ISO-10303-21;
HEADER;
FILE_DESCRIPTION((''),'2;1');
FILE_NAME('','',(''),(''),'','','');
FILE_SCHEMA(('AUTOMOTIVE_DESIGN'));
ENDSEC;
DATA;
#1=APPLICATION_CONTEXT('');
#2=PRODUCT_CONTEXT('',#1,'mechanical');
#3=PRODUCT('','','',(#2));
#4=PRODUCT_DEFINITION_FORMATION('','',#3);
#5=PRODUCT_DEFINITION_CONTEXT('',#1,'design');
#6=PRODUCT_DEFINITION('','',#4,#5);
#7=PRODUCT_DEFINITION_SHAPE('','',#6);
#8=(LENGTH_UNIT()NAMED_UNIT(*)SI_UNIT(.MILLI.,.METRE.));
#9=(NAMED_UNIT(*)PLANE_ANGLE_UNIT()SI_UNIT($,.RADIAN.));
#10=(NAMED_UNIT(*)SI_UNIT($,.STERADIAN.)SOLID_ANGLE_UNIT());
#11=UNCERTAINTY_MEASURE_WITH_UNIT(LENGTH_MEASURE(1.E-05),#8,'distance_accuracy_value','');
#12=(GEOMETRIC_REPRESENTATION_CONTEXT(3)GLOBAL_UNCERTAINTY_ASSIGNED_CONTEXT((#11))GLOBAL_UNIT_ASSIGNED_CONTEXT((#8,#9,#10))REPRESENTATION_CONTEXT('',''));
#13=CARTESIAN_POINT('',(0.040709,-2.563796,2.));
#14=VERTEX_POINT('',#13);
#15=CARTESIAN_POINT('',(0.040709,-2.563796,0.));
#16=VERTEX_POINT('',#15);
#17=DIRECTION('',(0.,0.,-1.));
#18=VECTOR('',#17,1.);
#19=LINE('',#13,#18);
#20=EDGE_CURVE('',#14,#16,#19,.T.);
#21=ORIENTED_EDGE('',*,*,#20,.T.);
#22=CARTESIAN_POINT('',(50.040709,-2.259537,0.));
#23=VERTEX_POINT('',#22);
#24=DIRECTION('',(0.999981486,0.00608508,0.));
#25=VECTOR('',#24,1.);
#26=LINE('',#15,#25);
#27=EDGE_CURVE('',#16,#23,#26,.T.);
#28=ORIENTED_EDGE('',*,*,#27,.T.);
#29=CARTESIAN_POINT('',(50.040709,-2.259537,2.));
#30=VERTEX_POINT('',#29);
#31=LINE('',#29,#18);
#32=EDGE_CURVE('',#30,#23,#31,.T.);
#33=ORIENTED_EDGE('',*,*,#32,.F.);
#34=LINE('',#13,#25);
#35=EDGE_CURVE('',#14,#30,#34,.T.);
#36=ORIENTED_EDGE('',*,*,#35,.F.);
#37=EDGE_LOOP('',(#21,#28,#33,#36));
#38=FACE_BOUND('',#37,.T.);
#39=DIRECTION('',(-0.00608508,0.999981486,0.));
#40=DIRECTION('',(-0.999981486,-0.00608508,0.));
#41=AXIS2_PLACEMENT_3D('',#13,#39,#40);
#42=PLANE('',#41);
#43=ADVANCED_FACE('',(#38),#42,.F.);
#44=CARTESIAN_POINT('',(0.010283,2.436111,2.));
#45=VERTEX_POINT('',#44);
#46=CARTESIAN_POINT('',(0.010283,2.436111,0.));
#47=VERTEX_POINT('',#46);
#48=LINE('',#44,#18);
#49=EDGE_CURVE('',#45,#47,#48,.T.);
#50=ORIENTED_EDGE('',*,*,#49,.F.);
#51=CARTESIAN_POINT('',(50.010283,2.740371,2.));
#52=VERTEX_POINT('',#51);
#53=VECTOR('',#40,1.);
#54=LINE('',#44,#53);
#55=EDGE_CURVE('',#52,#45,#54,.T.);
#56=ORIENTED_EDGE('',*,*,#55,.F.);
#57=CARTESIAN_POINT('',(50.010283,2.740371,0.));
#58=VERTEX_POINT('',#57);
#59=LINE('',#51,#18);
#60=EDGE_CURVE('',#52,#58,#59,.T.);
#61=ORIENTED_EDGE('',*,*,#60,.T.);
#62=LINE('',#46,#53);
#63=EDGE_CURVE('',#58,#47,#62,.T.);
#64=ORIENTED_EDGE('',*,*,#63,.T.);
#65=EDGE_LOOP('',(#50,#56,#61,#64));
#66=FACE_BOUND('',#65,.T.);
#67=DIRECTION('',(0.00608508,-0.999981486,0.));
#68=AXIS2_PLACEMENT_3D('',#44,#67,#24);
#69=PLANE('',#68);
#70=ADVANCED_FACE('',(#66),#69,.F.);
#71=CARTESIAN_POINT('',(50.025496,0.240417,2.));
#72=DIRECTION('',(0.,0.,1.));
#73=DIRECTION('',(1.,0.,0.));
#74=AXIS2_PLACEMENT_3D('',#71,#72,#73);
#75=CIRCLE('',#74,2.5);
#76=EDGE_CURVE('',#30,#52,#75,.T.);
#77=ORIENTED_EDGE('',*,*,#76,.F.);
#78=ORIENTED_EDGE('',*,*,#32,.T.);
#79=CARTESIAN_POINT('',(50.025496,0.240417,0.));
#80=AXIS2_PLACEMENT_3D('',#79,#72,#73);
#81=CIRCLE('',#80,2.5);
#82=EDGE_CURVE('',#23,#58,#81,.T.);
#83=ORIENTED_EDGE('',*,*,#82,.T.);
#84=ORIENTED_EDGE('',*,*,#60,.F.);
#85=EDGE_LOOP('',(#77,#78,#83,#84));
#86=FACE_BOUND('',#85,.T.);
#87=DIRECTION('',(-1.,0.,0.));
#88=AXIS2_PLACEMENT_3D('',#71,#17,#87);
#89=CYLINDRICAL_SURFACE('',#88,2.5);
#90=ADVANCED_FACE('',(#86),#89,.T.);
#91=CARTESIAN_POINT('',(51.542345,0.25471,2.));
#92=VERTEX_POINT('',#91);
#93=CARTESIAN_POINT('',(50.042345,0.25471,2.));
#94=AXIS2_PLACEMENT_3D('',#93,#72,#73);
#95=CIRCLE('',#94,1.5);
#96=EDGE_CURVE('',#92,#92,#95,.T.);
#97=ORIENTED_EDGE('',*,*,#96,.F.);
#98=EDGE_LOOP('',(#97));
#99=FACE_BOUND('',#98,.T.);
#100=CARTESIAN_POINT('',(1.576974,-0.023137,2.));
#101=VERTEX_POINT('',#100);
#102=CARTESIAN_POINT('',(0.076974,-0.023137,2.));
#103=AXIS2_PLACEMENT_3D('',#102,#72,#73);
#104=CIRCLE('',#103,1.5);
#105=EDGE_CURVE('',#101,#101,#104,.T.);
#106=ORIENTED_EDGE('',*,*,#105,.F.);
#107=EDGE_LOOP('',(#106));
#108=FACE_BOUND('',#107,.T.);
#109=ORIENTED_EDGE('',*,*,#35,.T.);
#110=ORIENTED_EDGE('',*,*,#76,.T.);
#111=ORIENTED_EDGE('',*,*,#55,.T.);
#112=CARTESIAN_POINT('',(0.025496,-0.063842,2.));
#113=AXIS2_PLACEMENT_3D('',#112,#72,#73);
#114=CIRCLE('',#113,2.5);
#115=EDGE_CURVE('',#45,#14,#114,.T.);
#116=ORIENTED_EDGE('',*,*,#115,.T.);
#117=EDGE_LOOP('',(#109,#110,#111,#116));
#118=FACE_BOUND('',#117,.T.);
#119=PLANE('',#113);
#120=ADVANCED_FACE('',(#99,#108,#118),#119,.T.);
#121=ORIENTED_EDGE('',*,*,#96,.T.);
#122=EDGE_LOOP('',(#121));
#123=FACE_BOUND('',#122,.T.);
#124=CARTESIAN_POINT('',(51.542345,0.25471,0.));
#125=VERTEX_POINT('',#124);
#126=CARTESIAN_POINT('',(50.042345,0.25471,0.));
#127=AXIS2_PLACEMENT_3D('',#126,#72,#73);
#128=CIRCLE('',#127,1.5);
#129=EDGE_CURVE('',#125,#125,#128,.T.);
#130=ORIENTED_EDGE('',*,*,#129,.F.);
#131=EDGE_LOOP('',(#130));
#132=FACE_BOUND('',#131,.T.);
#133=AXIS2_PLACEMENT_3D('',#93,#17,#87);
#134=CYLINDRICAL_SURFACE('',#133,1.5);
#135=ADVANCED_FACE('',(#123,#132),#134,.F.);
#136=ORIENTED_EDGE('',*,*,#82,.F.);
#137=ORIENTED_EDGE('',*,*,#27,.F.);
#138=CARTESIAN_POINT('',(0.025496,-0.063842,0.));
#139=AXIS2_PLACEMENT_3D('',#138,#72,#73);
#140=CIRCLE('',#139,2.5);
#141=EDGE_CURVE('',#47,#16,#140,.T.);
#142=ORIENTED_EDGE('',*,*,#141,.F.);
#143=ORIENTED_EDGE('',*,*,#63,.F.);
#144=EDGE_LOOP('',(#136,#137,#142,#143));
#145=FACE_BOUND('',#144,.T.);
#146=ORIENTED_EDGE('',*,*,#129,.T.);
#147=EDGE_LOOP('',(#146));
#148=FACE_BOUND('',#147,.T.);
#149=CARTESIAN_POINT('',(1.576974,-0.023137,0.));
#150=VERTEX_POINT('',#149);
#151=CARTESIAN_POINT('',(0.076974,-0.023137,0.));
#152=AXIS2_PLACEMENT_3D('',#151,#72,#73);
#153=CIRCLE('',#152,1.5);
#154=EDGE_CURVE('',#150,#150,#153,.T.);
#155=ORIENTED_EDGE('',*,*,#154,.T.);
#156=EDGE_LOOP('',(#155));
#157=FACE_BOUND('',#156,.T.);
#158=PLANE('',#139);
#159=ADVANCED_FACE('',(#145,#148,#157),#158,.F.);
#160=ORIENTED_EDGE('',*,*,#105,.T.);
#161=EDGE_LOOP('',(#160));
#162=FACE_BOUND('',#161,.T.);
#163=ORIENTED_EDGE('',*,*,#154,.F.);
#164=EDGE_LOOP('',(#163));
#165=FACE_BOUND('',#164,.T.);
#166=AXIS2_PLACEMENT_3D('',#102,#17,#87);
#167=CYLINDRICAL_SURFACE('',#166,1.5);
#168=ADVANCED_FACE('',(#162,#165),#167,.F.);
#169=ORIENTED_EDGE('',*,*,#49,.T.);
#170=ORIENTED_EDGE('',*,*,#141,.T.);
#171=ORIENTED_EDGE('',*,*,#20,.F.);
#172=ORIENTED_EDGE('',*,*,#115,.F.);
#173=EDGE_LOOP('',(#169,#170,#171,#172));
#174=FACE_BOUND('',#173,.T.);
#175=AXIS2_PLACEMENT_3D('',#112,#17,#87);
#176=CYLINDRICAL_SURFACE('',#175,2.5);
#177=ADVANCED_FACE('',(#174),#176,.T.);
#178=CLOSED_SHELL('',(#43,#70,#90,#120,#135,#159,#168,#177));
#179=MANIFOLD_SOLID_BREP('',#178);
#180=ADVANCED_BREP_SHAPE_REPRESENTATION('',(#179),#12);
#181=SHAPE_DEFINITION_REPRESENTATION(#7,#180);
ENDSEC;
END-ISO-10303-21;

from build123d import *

# Parameters (mm, degrees)
SKETCH1_R           = 1.5
BOSS_EXTRUDE1_DEPTH = 2


with BuildPart() as part:
    # Sketch1 → Boss-Extrude1 (new body)
    with BuildSketch(Plane.XY):
        with BuildLine():
            Line((0.010283133, 2.436111241), (50.010283133, 2.740370876))
            ThreePointArc((50.010283133, 2.740370876), (52.525449548, 0.255629861), (50.040708533, -2.259536553))
            Line((50.040708533, -2.259536553), (0.040708533, -2.563796188))
            ThreePointArc((0.040708533, -2.563796188), (-2.474457881, -0.079055174), (0.010283133, 2.436111241))
        make_face()
        with Locations((0.076973552, -0.02313692)):
            Circle(SKETCH1_R, mode=Mode.SUBTRACT)
        with Locations((50.042345358, 0.254710298)):
            Circle(SKETCH1_R, mode=Mode.SUBTRACT)
    extrude(amount=BOSS_EXTRUDE1_DEPTH)


solid = part.part
